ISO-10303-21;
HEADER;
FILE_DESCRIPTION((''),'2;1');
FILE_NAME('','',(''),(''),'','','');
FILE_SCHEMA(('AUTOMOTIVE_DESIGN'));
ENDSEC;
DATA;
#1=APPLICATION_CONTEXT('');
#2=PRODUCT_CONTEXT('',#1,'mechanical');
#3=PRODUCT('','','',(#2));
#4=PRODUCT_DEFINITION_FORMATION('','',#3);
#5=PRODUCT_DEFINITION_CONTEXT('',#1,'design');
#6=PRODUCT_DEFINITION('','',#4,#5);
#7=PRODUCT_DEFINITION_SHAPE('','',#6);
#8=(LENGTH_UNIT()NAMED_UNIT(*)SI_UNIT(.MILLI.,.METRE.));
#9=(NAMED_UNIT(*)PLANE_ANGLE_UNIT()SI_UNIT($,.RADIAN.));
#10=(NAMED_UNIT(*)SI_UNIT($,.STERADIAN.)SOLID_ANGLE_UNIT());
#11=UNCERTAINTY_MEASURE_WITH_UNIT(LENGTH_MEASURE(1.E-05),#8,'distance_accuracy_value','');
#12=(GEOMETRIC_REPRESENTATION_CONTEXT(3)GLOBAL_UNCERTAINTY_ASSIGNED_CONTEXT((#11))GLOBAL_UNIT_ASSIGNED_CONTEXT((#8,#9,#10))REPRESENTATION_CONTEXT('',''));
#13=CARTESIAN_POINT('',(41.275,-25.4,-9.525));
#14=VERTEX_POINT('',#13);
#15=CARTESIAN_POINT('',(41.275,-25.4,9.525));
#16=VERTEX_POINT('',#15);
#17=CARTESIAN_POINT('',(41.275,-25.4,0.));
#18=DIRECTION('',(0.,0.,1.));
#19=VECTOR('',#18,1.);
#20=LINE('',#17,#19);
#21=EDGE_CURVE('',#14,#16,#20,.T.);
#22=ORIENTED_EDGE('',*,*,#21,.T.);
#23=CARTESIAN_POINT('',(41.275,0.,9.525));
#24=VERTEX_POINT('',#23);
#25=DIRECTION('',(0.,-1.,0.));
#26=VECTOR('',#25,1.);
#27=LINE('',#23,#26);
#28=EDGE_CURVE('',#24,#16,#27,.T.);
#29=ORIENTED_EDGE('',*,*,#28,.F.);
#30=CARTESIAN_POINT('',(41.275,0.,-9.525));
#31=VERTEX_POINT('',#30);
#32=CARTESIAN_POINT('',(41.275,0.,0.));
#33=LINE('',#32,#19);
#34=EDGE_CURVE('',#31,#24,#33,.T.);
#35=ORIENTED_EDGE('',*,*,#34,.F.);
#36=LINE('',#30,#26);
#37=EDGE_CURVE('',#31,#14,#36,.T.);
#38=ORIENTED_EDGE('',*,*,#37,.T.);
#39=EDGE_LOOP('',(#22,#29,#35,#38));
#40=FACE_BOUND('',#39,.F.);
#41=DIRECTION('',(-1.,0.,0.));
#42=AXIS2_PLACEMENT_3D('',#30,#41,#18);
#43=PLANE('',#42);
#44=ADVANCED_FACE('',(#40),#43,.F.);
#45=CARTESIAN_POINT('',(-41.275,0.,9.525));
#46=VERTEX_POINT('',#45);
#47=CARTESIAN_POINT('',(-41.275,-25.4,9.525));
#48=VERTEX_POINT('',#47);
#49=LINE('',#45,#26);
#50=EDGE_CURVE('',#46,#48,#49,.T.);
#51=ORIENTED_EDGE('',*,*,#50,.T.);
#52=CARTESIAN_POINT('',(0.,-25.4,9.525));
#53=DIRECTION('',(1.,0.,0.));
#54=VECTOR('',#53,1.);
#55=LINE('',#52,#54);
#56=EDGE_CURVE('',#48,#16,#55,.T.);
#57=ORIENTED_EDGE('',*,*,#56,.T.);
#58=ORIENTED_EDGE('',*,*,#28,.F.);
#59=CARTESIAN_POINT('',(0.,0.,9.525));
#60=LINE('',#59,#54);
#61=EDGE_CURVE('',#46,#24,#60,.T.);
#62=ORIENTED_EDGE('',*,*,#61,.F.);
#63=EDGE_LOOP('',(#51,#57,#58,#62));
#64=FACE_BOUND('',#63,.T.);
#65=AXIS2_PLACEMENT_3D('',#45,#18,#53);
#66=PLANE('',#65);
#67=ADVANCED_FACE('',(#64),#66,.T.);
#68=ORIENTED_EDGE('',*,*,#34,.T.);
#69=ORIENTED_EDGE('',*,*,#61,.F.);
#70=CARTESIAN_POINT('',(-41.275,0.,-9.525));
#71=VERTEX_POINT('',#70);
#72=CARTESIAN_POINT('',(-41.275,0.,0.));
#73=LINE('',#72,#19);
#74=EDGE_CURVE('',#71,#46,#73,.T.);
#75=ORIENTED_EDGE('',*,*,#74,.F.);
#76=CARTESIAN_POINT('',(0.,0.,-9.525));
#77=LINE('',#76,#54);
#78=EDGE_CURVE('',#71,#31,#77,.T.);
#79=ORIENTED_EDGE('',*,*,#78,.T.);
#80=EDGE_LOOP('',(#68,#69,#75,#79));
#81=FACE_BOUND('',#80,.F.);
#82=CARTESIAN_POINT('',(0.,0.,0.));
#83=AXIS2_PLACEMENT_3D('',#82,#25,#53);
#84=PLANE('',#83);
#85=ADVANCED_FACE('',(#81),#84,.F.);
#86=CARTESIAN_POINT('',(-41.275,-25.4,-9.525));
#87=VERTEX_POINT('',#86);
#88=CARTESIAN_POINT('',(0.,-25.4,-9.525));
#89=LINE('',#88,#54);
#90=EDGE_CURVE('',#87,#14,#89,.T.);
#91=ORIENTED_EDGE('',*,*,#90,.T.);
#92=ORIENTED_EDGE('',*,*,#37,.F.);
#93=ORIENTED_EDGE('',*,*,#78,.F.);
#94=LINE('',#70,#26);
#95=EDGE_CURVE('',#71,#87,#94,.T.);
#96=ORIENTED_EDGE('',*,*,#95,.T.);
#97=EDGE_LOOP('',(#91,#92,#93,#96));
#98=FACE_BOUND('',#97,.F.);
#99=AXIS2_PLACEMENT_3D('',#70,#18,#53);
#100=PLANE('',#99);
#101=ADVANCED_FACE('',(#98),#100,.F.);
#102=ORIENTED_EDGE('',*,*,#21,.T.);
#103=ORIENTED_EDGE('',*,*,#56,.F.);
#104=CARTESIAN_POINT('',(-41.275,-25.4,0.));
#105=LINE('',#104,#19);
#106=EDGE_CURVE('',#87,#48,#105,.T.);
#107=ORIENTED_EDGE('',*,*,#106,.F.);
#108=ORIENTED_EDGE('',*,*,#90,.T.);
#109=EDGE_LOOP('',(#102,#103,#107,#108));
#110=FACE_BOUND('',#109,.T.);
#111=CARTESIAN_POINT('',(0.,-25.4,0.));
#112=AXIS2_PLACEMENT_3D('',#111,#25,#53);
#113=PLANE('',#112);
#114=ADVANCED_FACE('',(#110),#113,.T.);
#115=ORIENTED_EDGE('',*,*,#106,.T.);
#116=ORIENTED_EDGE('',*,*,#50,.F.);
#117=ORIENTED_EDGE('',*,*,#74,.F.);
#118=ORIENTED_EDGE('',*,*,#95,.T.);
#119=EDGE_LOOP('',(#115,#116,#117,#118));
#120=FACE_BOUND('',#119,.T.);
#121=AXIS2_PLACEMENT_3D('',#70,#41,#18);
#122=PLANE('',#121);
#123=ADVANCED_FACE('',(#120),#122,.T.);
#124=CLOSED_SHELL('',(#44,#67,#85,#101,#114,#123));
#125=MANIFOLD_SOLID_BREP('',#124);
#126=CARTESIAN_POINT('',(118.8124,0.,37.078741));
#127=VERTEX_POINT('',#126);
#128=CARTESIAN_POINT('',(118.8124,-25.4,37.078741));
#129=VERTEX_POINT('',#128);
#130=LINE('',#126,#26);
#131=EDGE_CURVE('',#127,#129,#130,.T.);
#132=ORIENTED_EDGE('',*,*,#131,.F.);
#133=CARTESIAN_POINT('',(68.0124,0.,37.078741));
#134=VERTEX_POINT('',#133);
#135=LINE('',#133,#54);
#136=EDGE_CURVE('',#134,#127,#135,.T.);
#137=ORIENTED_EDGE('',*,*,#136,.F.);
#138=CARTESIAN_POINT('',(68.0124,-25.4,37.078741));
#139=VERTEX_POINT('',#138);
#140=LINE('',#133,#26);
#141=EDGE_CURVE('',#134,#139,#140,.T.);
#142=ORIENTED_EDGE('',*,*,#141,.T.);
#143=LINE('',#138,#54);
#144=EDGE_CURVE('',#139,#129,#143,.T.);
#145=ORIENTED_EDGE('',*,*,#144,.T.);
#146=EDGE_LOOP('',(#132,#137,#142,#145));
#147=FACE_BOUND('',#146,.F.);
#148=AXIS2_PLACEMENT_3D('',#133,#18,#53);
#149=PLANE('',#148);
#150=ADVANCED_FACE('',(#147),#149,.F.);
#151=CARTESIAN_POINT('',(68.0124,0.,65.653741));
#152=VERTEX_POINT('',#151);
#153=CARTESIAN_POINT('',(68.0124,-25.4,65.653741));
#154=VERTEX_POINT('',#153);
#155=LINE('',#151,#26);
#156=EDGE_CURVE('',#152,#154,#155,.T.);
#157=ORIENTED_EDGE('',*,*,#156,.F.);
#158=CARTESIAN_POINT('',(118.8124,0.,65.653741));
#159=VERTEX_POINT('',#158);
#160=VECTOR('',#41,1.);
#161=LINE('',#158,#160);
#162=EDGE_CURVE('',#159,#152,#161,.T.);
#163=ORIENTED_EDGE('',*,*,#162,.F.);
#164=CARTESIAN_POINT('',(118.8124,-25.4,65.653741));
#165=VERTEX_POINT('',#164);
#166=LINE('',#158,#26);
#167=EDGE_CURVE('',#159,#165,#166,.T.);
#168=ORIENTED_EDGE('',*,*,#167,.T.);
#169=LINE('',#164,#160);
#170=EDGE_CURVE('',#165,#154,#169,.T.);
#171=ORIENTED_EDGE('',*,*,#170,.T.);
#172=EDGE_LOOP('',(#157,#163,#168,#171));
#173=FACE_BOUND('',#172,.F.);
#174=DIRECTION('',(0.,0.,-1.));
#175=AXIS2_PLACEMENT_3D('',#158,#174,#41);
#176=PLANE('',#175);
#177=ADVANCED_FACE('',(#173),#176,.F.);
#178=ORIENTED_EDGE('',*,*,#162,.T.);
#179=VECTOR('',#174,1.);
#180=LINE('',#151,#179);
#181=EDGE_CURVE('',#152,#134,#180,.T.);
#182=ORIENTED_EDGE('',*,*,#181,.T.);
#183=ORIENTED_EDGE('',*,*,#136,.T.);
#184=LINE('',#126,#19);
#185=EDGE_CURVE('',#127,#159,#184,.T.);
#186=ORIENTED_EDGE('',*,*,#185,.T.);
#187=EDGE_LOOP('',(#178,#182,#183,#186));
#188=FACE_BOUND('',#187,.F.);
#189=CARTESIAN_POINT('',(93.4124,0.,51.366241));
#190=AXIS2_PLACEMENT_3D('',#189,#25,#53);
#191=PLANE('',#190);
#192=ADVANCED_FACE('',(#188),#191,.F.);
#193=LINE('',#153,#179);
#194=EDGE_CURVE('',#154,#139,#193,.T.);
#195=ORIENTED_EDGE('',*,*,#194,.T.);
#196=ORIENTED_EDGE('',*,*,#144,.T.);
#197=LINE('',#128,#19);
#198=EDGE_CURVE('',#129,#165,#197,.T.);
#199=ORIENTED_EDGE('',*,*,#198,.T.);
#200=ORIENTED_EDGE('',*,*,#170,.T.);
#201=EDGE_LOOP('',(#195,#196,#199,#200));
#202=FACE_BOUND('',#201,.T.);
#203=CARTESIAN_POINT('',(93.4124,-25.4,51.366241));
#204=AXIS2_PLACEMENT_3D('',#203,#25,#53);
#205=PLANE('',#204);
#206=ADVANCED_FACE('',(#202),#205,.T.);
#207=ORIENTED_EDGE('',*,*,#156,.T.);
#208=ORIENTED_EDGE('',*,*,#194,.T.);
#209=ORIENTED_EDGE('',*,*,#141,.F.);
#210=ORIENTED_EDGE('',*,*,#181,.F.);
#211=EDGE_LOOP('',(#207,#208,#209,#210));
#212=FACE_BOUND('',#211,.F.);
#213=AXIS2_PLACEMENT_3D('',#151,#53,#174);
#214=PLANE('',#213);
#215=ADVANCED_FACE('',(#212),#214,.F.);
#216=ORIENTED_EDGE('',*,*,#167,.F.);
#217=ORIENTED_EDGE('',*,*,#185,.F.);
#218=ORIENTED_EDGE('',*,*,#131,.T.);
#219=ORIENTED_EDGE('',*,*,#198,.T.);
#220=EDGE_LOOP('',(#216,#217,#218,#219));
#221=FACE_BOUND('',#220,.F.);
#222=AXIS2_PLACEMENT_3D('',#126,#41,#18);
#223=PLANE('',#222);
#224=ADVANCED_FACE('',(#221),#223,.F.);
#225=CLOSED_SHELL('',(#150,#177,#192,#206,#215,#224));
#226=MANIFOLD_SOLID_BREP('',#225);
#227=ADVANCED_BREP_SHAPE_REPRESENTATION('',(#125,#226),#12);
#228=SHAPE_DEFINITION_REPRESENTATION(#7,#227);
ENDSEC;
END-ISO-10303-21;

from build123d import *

# Parameters (mm, degrees)
F0_W     = 82.55
F0_H     = 19.05
F1_DEPTH = 25.4


with BuildPart() as f1:
    # F0 (on Front) → F1 (new body)
    with BuildSketch(Plane.XZ):
        Polygon((68.0124, 65.653741), (68.0124, 57.26933), (68.0124, 37.078741), (118.8124, 37.078741), (118.8124, 65.653741), align=None)
        Rectangle(F0_W, F0_H)
    extrude(amount=F1_DEPTH)


solid = f1.part
